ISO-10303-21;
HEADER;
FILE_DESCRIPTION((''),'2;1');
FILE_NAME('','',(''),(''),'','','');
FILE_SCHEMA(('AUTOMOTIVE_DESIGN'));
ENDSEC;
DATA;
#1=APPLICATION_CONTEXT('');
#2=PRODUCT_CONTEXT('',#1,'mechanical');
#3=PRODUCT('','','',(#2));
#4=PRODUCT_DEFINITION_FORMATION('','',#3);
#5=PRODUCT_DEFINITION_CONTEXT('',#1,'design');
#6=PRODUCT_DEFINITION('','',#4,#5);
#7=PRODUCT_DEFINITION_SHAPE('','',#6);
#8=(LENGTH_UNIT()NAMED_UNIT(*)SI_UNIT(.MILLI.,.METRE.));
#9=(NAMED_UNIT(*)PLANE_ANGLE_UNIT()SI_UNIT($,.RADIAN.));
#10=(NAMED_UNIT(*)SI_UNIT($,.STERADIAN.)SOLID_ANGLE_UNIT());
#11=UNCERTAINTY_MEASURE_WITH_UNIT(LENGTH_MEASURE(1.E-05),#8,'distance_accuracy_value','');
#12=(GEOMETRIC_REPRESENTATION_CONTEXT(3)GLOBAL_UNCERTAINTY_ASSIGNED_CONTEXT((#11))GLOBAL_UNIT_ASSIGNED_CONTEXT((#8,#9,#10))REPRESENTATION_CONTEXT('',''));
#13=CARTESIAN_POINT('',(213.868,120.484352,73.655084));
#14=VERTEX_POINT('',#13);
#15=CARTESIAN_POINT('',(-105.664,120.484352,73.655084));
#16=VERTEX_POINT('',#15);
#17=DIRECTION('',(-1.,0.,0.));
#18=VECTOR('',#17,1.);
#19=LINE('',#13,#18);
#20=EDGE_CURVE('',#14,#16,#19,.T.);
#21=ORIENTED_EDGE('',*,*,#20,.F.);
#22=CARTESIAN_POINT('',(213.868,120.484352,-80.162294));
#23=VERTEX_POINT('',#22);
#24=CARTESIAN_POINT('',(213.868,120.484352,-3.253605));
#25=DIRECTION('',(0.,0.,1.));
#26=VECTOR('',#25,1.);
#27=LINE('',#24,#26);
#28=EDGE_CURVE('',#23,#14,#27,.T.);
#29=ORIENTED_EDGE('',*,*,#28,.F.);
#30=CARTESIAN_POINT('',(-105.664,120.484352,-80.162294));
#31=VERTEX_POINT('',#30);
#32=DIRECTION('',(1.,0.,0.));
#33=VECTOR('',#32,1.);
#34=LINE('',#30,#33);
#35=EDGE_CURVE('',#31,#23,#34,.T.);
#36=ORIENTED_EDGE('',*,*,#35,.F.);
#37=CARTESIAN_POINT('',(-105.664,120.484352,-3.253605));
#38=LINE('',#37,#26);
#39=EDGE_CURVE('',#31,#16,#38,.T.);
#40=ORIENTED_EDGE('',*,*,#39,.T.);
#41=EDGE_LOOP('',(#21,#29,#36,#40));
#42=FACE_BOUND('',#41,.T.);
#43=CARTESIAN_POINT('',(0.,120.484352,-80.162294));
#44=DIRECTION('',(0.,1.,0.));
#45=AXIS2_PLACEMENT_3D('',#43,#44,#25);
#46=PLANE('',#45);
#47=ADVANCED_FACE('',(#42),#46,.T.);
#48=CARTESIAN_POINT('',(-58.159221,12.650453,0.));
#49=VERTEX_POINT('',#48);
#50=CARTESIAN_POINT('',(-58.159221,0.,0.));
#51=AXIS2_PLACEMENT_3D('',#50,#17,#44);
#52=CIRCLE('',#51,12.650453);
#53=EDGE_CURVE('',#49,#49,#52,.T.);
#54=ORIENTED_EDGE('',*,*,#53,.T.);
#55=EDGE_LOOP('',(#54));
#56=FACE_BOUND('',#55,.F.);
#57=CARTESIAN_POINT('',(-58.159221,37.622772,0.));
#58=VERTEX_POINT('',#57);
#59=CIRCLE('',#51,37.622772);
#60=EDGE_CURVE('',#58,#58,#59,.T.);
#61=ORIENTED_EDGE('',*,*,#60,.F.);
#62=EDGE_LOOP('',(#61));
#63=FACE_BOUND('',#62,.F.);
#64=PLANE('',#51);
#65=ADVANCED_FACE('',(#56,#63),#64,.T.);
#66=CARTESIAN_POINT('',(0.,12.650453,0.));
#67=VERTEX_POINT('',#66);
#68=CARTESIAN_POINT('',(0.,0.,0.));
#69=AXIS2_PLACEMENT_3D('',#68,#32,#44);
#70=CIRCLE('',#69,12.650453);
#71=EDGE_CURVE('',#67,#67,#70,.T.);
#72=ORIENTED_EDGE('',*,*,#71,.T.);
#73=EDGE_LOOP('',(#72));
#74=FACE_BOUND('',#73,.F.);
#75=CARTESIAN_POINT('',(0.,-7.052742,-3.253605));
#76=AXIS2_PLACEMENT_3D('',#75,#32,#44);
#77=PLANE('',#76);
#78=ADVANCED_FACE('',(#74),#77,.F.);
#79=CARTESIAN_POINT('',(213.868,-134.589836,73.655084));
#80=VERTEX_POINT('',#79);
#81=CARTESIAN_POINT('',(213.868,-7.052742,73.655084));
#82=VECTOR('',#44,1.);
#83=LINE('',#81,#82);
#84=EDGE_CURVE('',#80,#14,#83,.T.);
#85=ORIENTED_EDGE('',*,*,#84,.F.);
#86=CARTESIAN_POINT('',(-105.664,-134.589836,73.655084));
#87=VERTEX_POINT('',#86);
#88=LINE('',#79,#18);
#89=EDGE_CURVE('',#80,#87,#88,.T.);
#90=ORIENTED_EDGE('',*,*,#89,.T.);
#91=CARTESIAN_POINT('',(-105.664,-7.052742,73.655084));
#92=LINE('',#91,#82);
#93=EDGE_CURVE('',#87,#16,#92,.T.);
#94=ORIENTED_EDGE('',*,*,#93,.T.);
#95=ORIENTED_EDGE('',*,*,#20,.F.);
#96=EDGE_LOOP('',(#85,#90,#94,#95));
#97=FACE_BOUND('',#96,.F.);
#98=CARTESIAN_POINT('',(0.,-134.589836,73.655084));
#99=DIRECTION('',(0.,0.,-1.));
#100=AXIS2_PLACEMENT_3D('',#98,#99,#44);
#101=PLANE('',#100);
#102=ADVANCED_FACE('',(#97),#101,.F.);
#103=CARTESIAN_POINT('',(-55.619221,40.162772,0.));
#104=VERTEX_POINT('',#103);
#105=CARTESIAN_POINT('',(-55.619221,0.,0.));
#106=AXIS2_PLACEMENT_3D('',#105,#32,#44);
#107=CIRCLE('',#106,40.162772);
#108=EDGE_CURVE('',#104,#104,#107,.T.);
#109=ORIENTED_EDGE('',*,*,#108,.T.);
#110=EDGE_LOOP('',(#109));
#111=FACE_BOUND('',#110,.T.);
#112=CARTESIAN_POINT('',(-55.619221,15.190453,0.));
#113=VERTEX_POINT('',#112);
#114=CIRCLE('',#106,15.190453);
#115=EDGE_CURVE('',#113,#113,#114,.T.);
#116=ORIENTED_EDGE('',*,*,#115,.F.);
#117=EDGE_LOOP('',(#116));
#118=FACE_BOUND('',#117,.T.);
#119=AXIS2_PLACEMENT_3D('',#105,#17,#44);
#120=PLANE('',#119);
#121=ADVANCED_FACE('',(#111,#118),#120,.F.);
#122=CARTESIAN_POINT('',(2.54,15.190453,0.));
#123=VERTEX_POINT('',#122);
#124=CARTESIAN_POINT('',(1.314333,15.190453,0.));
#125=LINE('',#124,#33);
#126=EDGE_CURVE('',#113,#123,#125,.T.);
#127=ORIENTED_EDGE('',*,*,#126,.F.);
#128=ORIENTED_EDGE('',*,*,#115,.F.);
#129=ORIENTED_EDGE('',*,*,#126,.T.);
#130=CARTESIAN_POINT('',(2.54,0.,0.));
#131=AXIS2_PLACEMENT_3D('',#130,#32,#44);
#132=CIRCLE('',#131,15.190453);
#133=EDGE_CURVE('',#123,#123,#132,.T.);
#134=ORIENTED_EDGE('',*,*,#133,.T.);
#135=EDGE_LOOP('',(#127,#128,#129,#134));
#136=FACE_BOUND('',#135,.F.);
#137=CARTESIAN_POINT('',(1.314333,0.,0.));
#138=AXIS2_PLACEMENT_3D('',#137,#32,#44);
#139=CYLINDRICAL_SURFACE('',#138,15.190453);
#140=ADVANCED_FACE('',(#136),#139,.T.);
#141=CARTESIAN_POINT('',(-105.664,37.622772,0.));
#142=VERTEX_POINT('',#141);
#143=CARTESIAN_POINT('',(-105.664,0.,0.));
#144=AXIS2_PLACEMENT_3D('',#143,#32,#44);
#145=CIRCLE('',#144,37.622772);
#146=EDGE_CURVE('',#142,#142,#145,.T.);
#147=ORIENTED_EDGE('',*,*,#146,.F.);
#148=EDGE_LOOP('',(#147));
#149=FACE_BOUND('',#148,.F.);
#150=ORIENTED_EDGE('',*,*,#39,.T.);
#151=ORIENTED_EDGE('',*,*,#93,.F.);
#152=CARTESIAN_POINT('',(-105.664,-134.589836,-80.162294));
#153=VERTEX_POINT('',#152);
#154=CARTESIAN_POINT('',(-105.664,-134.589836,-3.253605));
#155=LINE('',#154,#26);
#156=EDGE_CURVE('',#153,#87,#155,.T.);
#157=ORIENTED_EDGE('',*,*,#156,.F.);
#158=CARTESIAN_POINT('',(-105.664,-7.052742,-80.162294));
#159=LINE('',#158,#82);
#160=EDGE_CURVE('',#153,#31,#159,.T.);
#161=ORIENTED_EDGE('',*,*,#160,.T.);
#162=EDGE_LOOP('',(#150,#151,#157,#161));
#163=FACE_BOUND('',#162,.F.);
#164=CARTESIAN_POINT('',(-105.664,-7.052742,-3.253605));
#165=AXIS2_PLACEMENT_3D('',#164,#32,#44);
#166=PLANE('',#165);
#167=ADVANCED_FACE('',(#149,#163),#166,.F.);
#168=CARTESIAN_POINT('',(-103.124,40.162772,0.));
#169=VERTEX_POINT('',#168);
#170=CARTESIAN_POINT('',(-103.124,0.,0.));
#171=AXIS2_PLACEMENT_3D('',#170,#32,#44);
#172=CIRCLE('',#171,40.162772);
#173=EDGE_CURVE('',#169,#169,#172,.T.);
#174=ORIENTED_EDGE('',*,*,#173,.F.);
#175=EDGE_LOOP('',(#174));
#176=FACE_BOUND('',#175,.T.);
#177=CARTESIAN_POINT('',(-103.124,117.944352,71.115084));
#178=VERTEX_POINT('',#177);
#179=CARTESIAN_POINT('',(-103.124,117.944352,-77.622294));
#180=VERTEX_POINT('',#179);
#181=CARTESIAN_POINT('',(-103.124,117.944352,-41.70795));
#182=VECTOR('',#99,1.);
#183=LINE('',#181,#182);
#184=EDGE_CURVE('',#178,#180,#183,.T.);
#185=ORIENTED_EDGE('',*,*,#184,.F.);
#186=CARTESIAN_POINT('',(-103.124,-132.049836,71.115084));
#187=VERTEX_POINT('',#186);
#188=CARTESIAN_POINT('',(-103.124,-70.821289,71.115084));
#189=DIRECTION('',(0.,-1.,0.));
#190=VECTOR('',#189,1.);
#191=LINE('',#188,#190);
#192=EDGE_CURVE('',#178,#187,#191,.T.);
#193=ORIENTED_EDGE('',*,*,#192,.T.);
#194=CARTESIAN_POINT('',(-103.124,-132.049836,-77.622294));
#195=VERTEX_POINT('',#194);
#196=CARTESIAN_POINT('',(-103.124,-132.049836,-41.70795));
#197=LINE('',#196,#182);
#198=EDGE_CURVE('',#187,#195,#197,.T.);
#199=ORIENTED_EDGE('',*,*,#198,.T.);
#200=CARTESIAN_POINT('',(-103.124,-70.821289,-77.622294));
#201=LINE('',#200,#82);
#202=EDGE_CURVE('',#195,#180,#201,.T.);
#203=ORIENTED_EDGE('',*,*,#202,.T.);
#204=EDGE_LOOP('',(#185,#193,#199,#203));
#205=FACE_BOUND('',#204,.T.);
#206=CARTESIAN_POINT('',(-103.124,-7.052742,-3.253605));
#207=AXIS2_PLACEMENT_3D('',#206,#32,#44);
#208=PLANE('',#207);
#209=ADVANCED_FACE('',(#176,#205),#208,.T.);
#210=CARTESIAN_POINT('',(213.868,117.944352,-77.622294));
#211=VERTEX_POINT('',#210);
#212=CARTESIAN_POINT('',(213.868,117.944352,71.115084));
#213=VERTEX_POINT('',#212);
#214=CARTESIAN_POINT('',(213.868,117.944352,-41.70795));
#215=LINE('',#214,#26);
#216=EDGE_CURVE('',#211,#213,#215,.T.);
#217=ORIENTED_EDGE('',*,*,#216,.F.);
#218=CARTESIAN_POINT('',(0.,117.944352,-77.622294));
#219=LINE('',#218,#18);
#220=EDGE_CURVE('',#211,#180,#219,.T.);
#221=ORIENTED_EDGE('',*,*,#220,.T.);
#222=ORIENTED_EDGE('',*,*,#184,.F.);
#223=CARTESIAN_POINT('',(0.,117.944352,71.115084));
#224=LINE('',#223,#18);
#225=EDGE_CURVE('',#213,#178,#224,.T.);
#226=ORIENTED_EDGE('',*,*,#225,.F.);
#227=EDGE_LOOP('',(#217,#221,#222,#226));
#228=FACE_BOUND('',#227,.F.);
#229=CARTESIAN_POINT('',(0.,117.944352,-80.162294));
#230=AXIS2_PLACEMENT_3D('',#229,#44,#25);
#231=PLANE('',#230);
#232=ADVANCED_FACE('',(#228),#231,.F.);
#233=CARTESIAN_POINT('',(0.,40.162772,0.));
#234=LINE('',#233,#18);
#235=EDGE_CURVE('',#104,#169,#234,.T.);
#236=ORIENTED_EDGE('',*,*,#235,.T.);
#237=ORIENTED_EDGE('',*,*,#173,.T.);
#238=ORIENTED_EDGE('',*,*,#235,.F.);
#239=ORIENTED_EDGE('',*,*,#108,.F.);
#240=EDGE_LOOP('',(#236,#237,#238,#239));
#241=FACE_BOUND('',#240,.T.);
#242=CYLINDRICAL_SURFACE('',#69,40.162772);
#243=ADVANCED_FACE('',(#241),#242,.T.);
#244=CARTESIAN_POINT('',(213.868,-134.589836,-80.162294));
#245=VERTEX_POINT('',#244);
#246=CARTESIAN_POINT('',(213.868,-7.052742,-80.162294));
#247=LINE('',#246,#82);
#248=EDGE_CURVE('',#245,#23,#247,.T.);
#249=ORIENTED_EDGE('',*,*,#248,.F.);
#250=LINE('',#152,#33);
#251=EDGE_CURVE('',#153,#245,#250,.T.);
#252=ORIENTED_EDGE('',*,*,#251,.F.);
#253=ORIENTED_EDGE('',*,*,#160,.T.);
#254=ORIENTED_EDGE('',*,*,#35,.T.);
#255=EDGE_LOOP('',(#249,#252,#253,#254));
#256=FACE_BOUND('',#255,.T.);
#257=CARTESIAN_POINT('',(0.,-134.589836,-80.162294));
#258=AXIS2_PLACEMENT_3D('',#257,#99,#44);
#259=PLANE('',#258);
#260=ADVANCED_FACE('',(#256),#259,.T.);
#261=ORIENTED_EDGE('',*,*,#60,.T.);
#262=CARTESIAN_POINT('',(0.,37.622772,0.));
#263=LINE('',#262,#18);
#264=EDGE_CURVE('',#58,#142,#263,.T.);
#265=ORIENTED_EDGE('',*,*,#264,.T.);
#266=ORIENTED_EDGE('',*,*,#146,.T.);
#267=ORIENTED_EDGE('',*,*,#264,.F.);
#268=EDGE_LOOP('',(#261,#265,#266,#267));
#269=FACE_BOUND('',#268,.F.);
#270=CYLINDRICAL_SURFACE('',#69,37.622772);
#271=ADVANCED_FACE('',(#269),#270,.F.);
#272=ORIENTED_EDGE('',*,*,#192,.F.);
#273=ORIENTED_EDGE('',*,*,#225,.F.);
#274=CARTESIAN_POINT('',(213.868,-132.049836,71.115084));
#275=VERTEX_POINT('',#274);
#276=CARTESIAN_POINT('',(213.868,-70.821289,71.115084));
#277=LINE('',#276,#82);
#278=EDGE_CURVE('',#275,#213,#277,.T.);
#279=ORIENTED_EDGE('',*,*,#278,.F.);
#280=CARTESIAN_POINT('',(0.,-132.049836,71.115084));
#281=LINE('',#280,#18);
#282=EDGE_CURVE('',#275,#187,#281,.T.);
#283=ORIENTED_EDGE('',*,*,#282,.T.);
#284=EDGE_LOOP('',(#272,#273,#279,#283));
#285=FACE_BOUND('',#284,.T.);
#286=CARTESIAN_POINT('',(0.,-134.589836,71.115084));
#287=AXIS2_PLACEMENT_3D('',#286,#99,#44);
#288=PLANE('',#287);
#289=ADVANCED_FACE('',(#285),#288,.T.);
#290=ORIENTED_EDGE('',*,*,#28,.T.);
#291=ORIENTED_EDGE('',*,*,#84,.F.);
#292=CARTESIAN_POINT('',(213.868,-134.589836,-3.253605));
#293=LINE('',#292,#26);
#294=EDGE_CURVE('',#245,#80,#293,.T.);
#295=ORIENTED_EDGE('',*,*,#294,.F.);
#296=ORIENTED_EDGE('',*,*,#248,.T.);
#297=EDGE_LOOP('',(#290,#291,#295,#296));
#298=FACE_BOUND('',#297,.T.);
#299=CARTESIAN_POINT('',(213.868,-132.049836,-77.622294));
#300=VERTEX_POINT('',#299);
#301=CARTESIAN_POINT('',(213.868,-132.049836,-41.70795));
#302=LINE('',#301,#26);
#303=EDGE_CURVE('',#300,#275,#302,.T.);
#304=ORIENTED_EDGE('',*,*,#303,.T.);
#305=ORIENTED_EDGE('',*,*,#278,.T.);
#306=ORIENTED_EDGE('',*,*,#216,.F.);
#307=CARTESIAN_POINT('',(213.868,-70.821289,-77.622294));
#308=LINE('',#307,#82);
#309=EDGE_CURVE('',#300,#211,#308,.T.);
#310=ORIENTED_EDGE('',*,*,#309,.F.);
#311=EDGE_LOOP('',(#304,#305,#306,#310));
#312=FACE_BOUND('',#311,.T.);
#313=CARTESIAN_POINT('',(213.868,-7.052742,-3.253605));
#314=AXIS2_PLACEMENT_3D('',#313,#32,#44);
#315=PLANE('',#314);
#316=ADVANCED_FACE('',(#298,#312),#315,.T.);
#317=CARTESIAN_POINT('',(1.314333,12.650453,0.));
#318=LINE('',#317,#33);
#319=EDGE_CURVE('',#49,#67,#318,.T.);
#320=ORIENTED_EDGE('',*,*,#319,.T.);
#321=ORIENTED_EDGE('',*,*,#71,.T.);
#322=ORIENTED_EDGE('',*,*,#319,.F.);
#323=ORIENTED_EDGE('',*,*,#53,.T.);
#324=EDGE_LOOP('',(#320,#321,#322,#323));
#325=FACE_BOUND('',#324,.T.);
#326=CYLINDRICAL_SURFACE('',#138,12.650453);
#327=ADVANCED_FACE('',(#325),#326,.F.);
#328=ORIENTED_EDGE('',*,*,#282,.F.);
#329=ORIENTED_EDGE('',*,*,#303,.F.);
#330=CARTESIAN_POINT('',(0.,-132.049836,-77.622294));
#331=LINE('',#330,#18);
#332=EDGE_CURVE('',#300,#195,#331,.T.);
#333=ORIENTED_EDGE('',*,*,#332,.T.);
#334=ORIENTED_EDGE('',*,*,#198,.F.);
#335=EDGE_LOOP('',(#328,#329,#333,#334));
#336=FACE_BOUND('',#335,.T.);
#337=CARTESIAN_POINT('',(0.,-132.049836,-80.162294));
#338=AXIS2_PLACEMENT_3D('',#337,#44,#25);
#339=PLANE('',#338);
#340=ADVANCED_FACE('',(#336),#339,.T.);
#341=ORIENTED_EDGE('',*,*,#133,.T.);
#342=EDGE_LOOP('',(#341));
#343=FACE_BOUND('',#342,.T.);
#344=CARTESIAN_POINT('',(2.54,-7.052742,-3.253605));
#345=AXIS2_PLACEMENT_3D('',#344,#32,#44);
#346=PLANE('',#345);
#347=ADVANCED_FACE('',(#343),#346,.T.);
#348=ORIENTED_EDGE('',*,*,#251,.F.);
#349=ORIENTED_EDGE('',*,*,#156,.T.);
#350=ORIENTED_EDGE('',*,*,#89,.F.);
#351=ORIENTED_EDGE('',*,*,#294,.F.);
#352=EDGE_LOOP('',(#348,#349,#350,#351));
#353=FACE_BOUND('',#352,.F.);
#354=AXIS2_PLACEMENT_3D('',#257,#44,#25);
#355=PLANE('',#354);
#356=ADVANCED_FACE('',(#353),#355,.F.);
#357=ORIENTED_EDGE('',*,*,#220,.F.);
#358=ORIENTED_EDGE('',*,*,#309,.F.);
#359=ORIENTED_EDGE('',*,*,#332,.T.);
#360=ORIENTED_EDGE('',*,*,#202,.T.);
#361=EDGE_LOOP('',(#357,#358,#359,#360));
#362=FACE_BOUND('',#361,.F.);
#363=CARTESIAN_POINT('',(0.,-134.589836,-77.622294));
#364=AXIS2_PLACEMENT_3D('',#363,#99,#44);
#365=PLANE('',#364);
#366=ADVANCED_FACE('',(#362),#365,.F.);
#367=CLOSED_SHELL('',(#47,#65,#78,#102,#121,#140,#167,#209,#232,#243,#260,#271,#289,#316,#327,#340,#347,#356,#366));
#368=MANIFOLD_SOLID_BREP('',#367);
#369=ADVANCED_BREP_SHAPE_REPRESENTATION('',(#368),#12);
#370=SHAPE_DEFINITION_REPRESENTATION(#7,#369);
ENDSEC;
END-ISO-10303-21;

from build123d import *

# Parameters (mm, degrees)
F0_W     = 118.9471073449
F0_H     = 24.972319603
F2_W     = 255.0741881132
F2_H     = 153.8173779845
F3_DEPTH = 213.868
F4_DEPTH = 105.664
F5_T     = -2.54


with BuildPart() as f1:
    # F0 (on Top) → F1 (revolve)
    with BuildSketch(Plane.XY):
        with Locations((1.3143327087, 25.1366123557)):
            Rectangle(F0_W, F0_H)
    revolve(axis=Axis((7.0028230548, 0, 0), (-1, 0, 0)))

    # F2 (on Right) → F3 (join)
    with BuildSketch(Plane.YZ):
        with Locations((-7.0527419448, -3.2536052167)):
            Rectangle(F2_W, F2_H)
    extrude(amount=F3_DEPTH)

    # F4 (add): a face of the model
    f4_faces = [f1.faces().sort_by_distance(p)[0] for p in [
        (0, 117.50571774, -3.2536052167),
    ]]
    extrude(f4_faces, amount=F4_DEPTH)

    # F5
    f5_openings = [f1.faces().sort_by_distance(p)[0] for p in [
        (213.868, -7.052742, -3.253605),
    ]]
    offset(amount=F5_T, openings=f5_openings, kind=Kind.INTERSECTION)


solid = f1.part
